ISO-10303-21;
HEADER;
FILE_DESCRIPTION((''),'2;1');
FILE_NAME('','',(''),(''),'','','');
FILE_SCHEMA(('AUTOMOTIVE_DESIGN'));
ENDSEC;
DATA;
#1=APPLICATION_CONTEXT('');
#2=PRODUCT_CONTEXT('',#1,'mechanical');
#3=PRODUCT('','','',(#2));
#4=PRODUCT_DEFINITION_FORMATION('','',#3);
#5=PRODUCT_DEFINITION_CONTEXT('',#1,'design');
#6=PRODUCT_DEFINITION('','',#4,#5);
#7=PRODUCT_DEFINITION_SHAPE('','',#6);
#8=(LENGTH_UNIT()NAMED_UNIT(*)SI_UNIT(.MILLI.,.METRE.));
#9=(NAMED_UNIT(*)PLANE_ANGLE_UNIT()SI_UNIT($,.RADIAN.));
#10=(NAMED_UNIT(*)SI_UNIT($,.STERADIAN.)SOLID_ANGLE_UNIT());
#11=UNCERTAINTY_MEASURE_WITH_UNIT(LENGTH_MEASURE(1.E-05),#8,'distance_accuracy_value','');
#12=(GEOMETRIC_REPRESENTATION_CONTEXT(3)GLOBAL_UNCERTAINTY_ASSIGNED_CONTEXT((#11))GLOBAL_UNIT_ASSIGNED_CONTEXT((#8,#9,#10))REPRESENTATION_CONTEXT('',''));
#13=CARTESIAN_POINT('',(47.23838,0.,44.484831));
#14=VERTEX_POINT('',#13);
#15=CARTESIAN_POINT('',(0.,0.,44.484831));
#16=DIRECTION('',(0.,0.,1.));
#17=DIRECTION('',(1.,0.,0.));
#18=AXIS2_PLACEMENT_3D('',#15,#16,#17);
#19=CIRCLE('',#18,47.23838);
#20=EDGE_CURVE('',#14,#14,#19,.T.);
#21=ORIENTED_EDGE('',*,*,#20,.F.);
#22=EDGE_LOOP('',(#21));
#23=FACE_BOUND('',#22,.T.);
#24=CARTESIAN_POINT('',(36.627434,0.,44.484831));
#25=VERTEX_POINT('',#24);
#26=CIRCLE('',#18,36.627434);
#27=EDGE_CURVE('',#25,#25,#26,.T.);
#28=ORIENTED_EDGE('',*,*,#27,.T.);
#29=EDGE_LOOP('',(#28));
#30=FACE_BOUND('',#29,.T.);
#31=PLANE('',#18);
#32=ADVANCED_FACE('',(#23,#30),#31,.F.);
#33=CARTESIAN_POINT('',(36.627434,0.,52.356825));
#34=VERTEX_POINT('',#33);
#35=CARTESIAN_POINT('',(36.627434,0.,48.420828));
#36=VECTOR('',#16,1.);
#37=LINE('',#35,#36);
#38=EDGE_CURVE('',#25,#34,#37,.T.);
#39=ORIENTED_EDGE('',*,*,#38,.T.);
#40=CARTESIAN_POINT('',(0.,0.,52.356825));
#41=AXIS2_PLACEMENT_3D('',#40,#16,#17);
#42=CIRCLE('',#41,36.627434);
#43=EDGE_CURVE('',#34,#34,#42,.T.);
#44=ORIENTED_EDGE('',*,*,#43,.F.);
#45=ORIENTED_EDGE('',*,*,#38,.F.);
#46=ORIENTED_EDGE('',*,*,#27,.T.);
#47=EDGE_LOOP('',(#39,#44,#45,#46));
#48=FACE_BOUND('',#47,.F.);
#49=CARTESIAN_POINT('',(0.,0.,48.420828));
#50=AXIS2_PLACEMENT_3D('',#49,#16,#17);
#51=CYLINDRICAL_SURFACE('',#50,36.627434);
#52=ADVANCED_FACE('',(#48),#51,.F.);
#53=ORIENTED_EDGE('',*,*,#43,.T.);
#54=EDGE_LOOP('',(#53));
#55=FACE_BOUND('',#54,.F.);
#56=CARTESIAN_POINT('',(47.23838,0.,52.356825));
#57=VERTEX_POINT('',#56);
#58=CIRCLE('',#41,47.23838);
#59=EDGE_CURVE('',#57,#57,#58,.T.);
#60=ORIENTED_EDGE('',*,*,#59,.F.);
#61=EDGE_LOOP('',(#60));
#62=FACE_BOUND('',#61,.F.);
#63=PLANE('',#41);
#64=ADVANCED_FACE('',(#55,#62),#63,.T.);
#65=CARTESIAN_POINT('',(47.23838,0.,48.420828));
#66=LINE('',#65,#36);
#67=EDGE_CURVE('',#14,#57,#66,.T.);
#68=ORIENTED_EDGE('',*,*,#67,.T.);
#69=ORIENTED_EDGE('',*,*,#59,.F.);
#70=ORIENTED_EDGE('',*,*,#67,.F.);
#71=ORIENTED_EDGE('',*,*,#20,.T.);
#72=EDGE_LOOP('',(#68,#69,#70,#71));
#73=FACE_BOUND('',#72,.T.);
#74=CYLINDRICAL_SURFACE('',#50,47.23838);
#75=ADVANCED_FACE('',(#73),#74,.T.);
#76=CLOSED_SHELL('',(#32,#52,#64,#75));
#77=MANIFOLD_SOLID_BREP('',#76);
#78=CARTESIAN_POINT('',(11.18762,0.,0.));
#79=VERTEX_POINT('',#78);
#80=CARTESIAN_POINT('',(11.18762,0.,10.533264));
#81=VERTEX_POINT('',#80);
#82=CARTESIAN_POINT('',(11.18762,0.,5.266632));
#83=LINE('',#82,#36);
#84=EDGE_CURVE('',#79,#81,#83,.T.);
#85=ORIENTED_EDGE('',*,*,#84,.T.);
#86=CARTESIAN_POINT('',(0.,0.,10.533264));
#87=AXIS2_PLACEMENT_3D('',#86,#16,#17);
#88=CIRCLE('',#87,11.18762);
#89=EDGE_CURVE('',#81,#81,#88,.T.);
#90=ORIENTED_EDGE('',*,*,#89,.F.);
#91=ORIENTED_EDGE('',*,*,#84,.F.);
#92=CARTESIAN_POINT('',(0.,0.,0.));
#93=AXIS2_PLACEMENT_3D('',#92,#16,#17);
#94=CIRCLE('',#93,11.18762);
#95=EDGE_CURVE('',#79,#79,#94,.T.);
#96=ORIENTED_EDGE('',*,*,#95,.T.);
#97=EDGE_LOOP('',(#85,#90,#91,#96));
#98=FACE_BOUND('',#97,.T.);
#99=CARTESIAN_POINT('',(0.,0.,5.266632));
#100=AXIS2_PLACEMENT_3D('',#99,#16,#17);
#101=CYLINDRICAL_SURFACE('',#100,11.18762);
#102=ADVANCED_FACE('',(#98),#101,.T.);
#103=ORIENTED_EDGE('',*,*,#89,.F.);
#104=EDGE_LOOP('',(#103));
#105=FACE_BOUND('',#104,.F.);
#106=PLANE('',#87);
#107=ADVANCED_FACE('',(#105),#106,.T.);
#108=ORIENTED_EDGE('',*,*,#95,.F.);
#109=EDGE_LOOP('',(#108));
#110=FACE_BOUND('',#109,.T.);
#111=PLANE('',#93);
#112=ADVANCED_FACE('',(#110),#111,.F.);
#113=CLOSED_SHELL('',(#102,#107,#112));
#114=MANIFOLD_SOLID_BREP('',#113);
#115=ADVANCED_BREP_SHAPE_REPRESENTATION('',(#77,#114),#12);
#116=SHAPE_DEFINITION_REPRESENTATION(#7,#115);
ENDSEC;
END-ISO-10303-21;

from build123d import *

# Parameters (mm, degrees)
F0_W   = 11.18762
F0_H   = 10.533264
F0_W_2 = 10.610946
F0_H_2 = 7.871993


with BuildPart() as f1:
    # F0 (on Front) → F1 (revolve)
    with BuildSketch(Plane.XZ):
        with Locations((5.59381, 5.266632)):
            Rectangle(F0_W, F0_H)
        with Locations((41.932907, 48.420828)):
            Rectangle(F0_W_2, F0_H_2)
    revolve(axis=Axis((0, 0, 50.307788), (0, 0, 1)))


solid = f1.part
